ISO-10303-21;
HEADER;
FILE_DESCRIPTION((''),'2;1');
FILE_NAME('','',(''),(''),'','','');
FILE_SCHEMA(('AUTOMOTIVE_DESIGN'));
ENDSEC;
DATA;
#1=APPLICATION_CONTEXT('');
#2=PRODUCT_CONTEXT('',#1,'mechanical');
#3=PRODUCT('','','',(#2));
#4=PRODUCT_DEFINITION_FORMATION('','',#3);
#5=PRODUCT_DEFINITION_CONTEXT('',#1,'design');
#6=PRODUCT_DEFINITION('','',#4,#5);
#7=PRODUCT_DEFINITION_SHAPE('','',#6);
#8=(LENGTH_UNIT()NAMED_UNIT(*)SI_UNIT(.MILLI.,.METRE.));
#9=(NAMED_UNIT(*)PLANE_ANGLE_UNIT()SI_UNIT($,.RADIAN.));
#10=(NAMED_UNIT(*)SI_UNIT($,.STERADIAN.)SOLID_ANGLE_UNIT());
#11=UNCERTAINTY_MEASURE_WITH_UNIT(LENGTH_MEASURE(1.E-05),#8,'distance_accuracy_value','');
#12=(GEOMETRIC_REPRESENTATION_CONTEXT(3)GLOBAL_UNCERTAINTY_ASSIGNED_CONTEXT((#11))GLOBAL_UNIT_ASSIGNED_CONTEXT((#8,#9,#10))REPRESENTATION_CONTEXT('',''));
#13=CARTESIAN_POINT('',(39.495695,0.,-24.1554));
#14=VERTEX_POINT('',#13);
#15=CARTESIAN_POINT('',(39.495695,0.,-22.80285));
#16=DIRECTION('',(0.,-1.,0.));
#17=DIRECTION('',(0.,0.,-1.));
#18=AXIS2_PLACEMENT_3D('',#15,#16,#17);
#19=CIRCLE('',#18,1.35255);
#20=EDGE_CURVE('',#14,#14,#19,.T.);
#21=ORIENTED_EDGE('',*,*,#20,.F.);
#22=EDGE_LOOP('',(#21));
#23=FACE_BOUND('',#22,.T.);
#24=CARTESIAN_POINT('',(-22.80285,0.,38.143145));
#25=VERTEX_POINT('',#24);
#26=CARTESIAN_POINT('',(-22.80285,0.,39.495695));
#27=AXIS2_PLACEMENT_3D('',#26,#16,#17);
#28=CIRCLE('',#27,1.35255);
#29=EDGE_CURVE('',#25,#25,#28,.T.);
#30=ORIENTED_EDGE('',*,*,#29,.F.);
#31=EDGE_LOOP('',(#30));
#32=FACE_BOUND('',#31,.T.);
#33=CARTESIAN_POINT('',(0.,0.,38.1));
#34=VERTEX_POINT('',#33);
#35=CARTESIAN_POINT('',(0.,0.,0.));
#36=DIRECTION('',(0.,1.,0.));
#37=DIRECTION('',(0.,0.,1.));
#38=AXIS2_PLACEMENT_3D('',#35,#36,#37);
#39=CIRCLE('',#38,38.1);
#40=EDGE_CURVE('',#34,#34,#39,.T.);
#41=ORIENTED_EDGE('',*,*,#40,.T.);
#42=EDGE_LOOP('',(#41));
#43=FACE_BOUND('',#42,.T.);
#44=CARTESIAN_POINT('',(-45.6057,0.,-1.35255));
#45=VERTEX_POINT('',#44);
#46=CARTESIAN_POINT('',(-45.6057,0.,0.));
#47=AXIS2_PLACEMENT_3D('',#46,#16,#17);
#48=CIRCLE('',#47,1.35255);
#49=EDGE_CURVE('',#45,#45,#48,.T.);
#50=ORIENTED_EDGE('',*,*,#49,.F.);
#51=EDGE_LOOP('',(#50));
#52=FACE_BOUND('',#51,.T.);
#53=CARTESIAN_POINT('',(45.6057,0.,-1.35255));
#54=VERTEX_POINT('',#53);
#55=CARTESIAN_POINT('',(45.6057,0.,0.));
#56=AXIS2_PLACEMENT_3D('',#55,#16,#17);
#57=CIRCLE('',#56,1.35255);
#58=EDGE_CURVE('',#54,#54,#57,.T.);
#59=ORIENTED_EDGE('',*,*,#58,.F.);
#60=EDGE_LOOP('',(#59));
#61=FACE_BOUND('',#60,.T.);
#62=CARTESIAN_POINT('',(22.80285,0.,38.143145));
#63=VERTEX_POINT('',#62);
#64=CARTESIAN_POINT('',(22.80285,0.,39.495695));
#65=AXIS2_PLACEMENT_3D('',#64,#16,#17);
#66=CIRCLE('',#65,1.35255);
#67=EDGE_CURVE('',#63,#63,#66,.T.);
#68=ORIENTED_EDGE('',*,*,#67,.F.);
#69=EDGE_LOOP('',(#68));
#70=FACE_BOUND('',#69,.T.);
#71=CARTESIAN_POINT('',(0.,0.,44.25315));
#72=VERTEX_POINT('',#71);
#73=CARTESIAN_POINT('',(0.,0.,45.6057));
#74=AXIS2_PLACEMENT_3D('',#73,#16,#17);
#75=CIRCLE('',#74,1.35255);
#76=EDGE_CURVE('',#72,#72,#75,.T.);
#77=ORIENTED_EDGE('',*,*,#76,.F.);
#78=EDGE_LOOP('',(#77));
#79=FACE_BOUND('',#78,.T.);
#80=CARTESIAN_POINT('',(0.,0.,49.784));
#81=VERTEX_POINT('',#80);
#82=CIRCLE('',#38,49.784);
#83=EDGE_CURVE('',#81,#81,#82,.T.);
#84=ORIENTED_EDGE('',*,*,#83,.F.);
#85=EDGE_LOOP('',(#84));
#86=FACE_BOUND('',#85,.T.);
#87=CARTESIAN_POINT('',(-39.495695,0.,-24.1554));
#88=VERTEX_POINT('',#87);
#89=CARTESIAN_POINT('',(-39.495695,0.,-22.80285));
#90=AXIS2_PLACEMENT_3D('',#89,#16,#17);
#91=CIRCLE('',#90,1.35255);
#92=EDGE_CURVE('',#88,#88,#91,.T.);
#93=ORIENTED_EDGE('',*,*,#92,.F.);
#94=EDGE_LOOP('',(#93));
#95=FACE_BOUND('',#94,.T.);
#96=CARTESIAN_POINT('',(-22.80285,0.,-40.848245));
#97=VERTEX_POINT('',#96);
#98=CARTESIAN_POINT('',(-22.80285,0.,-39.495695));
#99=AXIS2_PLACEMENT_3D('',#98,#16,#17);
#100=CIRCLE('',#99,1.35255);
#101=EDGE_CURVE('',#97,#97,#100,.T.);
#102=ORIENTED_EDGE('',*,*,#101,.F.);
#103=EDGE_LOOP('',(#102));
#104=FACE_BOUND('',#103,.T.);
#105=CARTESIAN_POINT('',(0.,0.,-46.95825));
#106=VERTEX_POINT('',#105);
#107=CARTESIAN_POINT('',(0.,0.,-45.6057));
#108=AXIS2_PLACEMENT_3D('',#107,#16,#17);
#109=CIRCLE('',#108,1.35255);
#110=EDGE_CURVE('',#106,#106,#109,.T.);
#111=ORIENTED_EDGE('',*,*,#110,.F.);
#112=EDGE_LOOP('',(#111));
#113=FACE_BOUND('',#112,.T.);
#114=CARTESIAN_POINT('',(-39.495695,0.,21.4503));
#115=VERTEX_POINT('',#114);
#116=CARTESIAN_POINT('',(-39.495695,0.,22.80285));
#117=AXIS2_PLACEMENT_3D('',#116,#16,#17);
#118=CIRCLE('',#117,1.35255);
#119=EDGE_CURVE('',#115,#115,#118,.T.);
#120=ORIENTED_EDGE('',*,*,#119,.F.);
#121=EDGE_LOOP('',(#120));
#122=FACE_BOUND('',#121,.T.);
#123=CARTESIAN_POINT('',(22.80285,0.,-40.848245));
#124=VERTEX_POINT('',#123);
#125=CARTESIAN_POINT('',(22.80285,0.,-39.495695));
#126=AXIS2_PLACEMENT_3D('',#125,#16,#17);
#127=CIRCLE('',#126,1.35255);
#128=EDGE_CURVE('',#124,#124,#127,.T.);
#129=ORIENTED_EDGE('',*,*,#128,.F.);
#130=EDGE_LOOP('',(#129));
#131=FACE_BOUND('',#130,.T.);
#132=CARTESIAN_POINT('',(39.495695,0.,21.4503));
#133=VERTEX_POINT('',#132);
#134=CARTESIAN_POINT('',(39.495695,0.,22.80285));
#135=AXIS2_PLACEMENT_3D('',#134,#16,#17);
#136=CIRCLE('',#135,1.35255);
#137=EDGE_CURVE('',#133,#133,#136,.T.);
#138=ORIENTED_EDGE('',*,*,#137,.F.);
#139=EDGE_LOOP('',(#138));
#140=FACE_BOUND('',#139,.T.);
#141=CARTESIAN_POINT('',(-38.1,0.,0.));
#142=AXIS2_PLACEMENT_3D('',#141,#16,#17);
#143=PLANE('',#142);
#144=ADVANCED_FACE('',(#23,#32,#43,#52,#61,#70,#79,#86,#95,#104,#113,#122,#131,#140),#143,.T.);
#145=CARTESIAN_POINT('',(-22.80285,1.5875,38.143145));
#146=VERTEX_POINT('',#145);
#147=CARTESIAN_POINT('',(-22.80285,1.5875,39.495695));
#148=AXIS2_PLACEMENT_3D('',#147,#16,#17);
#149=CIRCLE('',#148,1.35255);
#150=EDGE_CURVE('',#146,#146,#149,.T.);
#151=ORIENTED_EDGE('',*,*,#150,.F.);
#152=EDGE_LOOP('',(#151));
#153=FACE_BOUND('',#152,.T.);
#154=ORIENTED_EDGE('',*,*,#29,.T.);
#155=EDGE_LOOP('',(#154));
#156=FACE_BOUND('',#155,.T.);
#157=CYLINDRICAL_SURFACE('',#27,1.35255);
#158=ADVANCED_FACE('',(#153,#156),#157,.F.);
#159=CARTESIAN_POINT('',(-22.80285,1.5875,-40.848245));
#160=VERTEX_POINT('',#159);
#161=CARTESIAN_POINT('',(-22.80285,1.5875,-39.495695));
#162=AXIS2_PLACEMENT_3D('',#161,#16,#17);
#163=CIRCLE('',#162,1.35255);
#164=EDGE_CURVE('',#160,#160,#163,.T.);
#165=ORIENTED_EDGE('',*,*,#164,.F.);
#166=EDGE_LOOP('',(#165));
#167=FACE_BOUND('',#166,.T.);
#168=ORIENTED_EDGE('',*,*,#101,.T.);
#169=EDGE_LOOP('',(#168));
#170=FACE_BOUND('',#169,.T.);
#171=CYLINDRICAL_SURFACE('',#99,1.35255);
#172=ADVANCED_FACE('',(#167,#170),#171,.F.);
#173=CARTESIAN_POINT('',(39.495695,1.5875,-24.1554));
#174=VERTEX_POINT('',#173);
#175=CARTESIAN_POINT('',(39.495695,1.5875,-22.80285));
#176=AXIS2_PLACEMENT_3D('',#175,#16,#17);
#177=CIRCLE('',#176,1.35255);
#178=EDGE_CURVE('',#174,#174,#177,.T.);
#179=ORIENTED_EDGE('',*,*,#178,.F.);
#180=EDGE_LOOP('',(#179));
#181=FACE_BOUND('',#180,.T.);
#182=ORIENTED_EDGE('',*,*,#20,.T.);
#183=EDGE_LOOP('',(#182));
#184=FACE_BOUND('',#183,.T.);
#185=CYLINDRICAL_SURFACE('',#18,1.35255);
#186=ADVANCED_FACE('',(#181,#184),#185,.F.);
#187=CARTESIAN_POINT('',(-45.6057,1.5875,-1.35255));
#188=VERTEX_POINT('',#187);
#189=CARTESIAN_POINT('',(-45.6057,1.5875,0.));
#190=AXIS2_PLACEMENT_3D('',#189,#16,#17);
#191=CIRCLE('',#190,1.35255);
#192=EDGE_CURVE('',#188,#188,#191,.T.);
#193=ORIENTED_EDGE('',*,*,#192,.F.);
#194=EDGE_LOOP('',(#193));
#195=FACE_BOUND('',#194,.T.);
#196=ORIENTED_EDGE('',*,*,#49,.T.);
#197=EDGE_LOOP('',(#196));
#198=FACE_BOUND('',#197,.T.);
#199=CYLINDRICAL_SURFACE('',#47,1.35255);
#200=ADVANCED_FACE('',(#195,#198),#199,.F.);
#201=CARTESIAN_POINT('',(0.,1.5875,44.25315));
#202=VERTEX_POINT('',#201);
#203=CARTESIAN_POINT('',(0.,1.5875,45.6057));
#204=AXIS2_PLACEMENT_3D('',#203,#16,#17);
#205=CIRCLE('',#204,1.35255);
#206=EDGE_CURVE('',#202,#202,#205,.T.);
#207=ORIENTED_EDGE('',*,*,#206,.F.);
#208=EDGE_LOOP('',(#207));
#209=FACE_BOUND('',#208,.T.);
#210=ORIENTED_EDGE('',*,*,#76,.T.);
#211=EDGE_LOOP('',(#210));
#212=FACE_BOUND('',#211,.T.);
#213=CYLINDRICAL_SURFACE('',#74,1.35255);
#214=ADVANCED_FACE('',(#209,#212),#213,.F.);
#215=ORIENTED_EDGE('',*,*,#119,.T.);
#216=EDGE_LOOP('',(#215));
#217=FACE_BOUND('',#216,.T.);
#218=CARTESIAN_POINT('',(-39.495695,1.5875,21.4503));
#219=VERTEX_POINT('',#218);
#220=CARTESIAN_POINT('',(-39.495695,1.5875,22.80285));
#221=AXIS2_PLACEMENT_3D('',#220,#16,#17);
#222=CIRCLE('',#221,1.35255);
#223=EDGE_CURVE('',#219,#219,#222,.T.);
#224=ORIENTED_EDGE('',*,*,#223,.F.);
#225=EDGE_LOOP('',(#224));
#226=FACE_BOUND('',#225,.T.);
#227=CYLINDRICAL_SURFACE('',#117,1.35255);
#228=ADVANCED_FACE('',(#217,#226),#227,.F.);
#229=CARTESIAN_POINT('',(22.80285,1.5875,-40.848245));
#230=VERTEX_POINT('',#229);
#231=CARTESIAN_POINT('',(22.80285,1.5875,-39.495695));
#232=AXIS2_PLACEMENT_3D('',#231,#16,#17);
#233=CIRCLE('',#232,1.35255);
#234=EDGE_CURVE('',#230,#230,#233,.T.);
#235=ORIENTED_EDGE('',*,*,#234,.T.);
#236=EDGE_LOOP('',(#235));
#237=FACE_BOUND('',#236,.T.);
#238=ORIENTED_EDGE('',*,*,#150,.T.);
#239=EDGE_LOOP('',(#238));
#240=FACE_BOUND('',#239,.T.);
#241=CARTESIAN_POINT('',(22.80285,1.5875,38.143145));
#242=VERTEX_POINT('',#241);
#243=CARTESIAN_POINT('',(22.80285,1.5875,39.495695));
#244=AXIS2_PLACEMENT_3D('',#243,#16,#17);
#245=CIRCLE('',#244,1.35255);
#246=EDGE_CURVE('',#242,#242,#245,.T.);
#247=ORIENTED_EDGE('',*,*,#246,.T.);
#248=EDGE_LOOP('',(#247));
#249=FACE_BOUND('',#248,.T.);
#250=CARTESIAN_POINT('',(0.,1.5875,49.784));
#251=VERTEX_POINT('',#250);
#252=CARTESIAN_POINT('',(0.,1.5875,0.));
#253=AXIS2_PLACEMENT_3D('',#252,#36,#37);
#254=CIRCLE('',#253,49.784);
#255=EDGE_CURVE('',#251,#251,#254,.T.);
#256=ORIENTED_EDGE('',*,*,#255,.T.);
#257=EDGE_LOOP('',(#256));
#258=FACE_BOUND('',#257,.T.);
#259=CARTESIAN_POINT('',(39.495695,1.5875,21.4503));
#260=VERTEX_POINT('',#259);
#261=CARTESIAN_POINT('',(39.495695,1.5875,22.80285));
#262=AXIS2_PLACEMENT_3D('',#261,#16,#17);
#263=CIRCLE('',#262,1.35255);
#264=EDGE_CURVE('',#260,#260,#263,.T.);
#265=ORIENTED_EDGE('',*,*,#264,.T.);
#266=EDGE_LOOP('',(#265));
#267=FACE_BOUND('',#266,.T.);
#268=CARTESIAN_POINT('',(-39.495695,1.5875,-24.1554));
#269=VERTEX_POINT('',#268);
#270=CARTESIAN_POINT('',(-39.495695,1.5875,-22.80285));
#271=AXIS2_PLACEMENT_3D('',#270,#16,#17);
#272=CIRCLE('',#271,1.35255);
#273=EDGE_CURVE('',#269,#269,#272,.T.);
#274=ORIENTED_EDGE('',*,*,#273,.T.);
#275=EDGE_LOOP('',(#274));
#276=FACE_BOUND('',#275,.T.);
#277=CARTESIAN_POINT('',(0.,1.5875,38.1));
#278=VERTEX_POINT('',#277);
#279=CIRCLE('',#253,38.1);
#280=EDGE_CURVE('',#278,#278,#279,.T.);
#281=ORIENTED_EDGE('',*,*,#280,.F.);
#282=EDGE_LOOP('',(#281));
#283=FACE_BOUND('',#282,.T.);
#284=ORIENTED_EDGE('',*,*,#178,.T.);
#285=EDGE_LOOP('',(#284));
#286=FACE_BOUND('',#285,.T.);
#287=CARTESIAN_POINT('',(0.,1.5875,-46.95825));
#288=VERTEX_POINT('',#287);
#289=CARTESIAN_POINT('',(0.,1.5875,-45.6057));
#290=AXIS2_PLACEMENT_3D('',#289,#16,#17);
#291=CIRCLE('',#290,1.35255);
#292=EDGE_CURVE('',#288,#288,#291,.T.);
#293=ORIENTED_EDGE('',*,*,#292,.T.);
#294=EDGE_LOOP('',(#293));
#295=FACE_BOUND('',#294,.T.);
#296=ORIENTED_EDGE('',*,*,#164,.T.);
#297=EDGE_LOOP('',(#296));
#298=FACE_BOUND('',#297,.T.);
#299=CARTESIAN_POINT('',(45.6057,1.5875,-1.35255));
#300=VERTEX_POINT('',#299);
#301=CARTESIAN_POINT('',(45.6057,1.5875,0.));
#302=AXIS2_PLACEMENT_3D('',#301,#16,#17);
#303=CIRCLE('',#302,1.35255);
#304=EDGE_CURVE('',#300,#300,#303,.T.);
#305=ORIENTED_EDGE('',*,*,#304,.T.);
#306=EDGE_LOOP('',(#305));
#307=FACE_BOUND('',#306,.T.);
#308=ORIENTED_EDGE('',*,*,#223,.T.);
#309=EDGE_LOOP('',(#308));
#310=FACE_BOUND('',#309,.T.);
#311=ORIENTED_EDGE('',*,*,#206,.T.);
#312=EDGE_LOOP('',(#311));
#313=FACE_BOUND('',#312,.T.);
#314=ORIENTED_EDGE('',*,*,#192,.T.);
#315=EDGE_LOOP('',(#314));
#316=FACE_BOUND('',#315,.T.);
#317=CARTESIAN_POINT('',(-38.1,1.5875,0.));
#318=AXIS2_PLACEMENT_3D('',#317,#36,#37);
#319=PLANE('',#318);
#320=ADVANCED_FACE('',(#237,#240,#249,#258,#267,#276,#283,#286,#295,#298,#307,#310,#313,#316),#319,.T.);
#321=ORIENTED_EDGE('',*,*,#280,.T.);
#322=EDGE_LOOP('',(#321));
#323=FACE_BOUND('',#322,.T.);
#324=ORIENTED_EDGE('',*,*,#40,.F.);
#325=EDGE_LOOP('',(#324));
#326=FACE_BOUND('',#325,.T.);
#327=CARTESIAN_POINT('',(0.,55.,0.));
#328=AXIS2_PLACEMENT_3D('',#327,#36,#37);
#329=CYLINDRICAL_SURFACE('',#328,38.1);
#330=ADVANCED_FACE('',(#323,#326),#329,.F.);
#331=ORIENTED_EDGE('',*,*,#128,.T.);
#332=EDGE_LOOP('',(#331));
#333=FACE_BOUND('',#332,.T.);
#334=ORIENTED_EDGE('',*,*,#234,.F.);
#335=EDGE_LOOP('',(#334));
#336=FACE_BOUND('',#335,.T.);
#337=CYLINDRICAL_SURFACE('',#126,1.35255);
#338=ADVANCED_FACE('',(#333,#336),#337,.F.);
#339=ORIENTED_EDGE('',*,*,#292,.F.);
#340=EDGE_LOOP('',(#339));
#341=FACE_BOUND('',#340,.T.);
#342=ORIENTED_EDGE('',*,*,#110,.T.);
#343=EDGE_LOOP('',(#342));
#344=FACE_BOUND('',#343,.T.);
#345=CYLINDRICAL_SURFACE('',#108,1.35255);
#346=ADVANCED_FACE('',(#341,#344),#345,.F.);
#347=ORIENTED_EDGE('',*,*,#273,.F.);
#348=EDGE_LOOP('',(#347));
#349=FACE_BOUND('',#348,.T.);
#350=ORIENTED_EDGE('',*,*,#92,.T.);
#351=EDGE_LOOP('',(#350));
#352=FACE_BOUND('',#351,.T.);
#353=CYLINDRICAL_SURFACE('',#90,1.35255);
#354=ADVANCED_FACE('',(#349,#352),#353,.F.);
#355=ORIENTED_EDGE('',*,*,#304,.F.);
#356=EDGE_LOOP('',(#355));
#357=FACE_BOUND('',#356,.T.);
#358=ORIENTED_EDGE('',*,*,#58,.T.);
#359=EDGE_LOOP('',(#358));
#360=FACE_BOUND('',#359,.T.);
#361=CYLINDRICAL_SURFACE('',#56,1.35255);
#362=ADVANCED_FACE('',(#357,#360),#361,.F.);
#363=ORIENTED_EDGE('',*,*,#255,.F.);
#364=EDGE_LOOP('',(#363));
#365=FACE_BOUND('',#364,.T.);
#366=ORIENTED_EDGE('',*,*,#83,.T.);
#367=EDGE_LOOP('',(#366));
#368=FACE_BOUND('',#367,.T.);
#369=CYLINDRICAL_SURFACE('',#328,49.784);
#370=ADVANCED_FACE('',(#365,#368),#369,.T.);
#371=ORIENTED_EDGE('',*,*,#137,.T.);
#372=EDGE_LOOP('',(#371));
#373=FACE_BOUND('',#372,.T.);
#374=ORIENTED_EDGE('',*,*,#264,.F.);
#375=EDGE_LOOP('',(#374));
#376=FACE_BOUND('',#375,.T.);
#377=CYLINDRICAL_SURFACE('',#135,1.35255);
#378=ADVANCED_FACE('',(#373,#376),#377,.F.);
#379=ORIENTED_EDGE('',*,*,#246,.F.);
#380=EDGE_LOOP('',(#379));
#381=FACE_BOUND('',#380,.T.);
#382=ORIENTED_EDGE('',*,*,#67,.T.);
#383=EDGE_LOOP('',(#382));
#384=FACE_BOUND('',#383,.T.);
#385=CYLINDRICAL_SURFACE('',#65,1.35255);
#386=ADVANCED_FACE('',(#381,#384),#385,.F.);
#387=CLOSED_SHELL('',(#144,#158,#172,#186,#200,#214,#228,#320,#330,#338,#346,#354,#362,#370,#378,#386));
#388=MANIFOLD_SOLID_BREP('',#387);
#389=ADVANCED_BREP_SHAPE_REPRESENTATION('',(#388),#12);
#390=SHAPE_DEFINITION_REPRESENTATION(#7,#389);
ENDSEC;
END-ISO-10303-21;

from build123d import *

# Parameters (mm, degrees)
SKETCH1_W                    = 11.684
SKETCH1_H                    = 1.5875
F_36_0_1065_DIAMETER_HOLE1_D = 2.7051
SCREW_PASSTHROUGHS_COUNT     = 12


with BuildPart() as part:
    # Sketch1 → Main (revolve)
    with BuildSketch(Plane.XY):
        with Locations((-43.942, 0.79375)):
            Rectangle(SKETCH1_W, SKETCH1_H)
    revolve(axis=Axis((0, 55, 0), (0, -1, 0)))

    # #36 (0.1065) Diameter Hole1 (through all)
    with Locations(Plane(origin=(0, 0, 0), x_dir=(-1, 0, 0), z_dir=(0, -1, 0))):
        with Locations((45.6057, 0)):
            f_36_0_1065_diameter_hole1 = Hole(F_36_0_1065_DIAMETER_HOLE1_D / 2)

    # Screw Passthroughs: #36 (0.1065) Diameter Hole1 ×12 about axis
    screw_passthroughs_axis = Axis((0, 0, 0), (0, 1, 0))
    for i in range(1, SCREW_PASSTHROUGHS_COUNT):
        add(f_36_0_1065_diameter_hole1.rotate(screw_passthroughs_axis, i * 360 / SCREW_PASSTHROUGHS_COUNT), mode=Mode.SUBTRACT)


solid = part.part
